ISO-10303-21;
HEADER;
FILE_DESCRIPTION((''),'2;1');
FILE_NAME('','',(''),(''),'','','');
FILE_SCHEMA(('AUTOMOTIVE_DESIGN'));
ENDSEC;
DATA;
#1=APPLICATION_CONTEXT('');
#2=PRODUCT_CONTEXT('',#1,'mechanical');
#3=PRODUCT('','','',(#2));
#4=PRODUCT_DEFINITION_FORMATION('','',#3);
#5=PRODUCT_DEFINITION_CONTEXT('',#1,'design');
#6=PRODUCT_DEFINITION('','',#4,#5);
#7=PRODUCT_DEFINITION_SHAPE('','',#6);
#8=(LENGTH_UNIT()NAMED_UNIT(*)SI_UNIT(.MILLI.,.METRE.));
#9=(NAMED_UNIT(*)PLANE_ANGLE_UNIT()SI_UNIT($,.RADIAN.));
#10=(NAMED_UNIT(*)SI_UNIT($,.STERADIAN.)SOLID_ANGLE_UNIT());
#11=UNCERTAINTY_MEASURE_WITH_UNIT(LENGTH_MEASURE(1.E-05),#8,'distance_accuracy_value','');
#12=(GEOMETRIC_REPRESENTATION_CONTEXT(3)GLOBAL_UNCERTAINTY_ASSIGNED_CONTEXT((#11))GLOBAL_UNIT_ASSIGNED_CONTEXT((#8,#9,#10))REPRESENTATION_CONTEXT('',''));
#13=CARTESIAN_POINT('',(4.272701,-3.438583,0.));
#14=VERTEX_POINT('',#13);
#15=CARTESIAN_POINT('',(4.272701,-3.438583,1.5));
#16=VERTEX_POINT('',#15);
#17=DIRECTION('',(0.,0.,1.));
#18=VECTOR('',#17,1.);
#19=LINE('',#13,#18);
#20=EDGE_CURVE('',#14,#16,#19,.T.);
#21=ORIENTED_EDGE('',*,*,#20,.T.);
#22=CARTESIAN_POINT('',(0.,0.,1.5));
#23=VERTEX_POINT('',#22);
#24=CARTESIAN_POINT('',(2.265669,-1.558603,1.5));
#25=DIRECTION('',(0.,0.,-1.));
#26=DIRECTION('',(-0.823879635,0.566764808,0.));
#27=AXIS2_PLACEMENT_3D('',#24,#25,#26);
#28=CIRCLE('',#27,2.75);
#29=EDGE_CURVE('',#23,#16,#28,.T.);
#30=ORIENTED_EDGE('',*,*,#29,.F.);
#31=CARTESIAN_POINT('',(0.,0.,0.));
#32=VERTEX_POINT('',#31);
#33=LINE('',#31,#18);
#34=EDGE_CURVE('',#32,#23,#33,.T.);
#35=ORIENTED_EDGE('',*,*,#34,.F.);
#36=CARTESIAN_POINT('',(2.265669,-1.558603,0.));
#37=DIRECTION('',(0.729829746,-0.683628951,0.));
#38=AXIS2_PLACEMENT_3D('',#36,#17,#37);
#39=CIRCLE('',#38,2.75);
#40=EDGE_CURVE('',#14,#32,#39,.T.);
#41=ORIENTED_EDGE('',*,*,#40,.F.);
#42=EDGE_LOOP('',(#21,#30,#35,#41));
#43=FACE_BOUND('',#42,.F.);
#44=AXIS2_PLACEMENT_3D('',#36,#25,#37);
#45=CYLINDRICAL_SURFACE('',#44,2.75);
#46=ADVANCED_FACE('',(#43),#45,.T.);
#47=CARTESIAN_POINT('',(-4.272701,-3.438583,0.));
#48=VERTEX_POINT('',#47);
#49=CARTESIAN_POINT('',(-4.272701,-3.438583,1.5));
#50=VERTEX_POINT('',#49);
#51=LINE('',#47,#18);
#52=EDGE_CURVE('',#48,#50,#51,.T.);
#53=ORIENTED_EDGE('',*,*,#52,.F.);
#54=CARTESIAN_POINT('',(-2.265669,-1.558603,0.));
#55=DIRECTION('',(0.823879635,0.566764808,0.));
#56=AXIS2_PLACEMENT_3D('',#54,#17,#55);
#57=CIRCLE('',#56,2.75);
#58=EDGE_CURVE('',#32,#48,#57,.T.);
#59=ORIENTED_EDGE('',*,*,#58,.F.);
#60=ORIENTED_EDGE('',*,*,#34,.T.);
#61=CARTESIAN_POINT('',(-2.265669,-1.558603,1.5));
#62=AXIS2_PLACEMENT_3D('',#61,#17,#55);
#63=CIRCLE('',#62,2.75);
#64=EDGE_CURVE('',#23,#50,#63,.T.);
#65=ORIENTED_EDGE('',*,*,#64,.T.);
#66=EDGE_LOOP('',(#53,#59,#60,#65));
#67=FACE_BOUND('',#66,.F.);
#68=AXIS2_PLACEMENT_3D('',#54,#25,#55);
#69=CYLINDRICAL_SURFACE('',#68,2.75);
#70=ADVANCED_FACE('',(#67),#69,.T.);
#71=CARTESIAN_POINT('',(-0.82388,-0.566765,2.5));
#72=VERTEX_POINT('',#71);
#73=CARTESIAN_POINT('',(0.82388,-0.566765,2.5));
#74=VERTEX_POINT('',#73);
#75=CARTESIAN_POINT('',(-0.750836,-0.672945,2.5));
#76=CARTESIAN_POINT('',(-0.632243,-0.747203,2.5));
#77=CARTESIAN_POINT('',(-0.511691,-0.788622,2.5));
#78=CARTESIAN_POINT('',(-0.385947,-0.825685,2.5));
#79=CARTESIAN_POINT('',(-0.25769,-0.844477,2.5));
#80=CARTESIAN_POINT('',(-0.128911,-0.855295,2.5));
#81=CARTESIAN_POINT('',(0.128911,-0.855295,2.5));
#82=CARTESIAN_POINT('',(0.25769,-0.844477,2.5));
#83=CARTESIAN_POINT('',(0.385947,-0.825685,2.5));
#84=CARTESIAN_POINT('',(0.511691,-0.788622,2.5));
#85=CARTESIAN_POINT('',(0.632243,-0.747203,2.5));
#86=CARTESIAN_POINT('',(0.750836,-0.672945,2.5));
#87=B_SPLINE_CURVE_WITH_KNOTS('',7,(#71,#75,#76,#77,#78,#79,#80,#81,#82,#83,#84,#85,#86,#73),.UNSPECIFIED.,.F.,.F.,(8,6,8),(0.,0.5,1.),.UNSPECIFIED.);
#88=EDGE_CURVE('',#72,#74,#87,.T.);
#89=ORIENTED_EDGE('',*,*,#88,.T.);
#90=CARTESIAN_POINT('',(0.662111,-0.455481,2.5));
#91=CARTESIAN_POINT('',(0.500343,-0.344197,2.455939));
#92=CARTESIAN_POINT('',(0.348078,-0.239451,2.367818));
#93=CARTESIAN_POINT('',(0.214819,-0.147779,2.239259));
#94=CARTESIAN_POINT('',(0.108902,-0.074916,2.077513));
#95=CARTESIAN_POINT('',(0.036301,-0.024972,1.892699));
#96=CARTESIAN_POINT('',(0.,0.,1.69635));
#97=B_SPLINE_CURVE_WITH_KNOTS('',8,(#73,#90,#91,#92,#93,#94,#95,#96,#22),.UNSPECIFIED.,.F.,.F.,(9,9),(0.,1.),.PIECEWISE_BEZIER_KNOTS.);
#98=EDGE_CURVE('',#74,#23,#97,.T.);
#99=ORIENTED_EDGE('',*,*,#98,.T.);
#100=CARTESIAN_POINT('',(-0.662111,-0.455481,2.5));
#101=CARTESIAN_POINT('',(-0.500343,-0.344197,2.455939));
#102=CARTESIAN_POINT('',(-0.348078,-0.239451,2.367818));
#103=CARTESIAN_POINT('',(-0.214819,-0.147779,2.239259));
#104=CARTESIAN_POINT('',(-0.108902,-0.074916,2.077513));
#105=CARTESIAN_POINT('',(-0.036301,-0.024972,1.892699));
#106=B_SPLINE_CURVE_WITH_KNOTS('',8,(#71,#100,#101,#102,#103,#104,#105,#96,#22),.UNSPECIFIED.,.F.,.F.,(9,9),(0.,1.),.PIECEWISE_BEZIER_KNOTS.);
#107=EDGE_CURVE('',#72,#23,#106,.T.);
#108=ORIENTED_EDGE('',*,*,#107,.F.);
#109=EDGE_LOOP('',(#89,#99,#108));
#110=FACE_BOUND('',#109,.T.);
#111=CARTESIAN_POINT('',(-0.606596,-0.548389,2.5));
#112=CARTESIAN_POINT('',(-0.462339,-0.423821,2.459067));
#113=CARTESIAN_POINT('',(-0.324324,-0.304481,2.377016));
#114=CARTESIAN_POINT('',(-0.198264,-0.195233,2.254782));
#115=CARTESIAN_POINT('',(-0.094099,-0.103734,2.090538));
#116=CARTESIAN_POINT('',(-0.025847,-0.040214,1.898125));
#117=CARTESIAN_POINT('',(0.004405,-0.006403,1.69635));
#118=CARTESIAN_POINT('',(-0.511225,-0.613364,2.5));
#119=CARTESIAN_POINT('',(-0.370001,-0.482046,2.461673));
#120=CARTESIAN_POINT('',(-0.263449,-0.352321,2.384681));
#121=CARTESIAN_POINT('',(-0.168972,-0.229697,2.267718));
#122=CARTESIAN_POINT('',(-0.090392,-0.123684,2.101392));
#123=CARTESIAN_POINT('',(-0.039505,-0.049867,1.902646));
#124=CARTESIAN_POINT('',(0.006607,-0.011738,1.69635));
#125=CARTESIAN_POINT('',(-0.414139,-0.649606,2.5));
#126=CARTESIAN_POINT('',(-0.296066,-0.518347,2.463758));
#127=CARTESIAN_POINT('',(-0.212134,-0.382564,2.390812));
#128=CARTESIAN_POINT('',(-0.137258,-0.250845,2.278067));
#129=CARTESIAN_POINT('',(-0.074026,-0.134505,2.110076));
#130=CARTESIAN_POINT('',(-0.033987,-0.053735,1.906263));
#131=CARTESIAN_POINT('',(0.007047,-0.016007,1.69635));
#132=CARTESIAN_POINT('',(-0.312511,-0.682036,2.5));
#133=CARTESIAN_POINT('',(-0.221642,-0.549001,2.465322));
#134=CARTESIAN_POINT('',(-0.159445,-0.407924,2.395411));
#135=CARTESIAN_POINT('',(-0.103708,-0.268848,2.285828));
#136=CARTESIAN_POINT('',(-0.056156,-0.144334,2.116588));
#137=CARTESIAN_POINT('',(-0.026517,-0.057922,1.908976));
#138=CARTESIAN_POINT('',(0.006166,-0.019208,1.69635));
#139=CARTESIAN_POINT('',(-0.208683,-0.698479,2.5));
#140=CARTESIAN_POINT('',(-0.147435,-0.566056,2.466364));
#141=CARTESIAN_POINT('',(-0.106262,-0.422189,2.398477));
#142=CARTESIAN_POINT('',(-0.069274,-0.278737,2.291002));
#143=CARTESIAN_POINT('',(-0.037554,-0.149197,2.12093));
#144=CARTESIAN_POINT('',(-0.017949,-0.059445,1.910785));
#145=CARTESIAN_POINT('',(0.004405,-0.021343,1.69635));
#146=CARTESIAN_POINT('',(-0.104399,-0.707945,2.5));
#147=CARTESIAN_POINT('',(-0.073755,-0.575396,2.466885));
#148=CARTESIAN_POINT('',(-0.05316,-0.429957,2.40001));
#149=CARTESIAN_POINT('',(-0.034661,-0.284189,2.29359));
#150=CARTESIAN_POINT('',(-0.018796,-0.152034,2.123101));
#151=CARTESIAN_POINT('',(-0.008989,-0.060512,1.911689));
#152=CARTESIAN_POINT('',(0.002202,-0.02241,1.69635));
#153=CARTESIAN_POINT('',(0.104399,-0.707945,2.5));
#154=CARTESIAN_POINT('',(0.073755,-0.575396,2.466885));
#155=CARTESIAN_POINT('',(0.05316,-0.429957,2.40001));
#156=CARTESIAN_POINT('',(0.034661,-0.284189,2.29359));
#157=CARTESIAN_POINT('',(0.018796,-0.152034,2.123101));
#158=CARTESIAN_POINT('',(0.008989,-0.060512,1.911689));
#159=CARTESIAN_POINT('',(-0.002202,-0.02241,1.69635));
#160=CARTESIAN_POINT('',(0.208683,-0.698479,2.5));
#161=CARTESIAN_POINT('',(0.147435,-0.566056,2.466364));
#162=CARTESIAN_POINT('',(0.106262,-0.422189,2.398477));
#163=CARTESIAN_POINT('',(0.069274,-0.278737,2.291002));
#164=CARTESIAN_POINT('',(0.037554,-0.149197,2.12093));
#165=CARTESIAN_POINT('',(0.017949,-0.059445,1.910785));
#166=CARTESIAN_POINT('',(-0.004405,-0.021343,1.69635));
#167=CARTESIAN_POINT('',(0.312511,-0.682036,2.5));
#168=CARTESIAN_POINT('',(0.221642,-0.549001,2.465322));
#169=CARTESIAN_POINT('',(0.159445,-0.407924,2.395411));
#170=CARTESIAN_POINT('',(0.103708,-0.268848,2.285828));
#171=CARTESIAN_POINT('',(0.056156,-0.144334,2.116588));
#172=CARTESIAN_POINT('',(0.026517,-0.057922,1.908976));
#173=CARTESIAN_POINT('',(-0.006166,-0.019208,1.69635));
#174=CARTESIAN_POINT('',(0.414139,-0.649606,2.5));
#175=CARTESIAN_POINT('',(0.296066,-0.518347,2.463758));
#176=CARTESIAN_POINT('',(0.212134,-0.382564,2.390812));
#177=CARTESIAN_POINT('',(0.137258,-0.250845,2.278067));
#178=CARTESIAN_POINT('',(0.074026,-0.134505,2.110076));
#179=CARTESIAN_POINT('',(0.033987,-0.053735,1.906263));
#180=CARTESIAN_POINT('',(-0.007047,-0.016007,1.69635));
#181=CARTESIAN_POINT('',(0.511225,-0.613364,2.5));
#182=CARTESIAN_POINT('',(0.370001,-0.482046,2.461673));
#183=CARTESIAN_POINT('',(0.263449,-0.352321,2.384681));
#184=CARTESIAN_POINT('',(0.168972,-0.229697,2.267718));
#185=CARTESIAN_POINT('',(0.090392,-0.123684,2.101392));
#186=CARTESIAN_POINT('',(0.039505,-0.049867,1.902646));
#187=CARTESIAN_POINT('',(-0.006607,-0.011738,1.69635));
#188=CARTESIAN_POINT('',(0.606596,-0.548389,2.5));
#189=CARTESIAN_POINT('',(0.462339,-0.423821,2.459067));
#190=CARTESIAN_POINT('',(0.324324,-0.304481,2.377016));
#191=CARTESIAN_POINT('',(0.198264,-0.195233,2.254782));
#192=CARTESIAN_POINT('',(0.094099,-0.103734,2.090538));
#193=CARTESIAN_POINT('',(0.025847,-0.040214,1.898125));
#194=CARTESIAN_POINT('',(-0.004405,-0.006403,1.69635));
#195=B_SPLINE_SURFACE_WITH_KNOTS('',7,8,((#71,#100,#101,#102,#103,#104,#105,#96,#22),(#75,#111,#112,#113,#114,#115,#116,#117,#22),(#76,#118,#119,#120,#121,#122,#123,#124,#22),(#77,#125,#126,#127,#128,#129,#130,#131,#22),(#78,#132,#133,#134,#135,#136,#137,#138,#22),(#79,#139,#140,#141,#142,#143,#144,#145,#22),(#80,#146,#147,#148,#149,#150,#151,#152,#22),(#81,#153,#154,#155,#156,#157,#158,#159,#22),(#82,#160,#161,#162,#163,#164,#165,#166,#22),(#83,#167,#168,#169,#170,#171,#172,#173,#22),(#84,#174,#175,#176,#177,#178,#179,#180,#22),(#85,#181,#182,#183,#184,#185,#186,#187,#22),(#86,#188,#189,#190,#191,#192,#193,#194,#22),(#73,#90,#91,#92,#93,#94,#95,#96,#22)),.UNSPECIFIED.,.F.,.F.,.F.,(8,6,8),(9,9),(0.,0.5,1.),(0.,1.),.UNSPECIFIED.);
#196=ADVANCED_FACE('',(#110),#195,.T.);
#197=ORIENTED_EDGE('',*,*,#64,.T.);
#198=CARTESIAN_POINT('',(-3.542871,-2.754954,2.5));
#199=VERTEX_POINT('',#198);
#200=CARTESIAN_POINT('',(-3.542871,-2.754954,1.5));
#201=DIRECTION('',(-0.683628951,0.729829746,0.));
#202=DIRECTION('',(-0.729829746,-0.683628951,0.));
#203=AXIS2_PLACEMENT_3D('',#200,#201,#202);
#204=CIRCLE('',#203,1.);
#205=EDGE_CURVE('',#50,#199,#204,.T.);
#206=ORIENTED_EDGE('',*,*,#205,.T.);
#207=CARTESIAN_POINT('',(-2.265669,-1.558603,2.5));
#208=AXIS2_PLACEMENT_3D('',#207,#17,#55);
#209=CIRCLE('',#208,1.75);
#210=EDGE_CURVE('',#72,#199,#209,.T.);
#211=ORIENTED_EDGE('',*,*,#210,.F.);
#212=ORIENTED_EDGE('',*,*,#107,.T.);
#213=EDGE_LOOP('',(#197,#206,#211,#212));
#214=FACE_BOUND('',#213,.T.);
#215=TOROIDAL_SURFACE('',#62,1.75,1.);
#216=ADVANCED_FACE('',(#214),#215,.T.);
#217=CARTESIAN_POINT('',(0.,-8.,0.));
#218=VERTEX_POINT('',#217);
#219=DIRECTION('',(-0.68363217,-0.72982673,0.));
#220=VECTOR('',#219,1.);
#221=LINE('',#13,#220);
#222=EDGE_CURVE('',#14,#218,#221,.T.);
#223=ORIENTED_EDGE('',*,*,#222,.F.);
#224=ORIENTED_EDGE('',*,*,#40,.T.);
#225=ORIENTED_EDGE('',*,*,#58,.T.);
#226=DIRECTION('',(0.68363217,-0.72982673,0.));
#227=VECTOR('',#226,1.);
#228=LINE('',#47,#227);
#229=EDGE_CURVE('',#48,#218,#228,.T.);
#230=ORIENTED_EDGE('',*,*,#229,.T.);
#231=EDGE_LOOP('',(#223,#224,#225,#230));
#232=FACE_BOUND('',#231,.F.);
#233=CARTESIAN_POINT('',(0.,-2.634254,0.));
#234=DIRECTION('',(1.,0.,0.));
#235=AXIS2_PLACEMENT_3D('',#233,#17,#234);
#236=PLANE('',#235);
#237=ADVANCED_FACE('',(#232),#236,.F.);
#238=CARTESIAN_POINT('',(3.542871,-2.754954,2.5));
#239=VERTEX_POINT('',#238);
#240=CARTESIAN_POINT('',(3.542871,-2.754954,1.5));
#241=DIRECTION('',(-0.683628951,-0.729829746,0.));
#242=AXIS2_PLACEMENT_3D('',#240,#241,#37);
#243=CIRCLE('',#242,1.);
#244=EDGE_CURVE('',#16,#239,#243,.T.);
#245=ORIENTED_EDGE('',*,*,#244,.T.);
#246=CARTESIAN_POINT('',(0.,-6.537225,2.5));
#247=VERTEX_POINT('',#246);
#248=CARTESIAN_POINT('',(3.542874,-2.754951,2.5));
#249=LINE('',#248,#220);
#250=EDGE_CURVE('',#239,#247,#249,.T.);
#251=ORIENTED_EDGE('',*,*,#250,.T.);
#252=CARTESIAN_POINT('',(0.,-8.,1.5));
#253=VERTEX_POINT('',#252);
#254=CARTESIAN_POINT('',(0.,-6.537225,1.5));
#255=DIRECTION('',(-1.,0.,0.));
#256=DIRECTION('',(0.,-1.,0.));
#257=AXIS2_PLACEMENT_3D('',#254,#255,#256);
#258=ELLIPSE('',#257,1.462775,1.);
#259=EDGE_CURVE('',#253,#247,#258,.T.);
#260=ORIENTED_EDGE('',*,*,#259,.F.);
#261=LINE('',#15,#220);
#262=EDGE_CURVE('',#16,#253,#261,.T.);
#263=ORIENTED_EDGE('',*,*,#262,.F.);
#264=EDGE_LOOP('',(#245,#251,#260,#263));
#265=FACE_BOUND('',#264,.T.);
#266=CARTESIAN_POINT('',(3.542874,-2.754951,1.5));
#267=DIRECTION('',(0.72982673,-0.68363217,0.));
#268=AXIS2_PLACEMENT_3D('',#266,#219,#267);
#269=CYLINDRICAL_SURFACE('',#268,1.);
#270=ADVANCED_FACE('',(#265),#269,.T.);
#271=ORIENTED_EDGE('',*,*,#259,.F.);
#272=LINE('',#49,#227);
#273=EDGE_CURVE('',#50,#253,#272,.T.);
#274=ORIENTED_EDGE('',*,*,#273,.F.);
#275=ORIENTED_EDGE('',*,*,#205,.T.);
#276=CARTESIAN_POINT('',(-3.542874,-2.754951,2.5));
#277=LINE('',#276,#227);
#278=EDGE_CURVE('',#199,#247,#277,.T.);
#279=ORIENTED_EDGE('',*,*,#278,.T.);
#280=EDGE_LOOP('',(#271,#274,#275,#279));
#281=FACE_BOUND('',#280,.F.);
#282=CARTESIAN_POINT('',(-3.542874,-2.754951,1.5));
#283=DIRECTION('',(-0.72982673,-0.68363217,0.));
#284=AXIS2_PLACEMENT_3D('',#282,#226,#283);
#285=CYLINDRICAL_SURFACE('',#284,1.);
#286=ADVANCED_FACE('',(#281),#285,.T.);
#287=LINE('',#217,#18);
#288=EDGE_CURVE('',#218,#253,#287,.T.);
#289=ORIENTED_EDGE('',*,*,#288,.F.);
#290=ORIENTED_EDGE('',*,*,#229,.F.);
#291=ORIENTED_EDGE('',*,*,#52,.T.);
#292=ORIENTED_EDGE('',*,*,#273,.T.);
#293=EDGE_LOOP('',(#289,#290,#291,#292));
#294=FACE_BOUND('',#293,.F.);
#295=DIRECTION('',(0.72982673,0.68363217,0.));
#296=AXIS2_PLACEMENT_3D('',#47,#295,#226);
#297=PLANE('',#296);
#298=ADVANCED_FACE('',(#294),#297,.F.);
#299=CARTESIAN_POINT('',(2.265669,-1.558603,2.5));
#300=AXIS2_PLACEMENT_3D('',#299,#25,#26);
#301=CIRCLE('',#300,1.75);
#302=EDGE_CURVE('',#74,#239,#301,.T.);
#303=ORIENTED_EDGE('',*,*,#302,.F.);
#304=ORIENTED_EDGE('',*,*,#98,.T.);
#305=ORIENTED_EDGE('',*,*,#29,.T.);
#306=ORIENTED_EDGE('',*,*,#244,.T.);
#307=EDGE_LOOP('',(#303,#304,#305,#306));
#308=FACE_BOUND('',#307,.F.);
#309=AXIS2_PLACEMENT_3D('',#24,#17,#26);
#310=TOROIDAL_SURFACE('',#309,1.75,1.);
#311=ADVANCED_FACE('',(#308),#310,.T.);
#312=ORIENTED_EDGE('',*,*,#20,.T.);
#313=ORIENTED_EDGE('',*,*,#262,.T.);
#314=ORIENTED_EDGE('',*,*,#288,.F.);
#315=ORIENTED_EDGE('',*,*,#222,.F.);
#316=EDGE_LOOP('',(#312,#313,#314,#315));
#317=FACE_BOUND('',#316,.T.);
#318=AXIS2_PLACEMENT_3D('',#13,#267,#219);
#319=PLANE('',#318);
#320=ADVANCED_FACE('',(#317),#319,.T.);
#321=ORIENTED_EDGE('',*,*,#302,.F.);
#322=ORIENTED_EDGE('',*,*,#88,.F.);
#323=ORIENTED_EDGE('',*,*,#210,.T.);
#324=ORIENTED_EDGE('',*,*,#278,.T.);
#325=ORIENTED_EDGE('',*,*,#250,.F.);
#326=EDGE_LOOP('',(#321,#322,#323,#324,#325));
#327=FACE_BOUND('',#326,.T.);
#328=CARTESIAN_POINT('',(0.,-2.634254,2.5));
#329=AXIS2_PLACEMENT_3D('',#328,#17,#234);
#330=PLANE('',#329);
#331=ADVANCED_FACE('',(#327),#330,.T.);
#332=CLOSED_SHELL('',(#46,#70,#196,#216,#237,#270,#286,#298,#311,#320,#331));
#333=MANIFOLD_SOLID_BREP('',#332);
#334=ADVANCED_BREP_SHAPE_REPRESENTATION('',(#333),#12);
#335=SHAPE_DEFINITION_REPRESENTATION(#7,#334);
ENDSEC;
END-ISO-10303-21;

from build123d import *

# Parameters (mm, degrees)
PAD_DEPTH = 2.5
FILLET_R  = 1


with BuildPart() as part:
    # Sketch → Pad (new body)
    with BuildSketch(Plane.XY):
        with BuildLine():
            ThreePointArc((0, 0), (-3.989817, 0.583782), (-4.272701, -3.438583))
            Line((-4.272701, -3.438583), (0, -8))
            Line((4.272701, -3.438583), (0, -8))
            ThreePointArc((4.272701, -3.438583), (3.989817, 0.583782), (0, 0))
        make_face()
    extrude(amount=PAD_DEPTH)

    # Fillet
    fillet_edges = [part.edges().sort_by_distance(p)[0] for p in [
        (-3.989817, 0.583782, 2.5),
        (-2.13635, -5.719291, 2.5),
        (2.13635, -5.719291, 2.5),
        (3.989817, 0.583782, 2.5),
    ]]
    fillet(fillet_edges, radius=FILLET_R)


solid = part.part
